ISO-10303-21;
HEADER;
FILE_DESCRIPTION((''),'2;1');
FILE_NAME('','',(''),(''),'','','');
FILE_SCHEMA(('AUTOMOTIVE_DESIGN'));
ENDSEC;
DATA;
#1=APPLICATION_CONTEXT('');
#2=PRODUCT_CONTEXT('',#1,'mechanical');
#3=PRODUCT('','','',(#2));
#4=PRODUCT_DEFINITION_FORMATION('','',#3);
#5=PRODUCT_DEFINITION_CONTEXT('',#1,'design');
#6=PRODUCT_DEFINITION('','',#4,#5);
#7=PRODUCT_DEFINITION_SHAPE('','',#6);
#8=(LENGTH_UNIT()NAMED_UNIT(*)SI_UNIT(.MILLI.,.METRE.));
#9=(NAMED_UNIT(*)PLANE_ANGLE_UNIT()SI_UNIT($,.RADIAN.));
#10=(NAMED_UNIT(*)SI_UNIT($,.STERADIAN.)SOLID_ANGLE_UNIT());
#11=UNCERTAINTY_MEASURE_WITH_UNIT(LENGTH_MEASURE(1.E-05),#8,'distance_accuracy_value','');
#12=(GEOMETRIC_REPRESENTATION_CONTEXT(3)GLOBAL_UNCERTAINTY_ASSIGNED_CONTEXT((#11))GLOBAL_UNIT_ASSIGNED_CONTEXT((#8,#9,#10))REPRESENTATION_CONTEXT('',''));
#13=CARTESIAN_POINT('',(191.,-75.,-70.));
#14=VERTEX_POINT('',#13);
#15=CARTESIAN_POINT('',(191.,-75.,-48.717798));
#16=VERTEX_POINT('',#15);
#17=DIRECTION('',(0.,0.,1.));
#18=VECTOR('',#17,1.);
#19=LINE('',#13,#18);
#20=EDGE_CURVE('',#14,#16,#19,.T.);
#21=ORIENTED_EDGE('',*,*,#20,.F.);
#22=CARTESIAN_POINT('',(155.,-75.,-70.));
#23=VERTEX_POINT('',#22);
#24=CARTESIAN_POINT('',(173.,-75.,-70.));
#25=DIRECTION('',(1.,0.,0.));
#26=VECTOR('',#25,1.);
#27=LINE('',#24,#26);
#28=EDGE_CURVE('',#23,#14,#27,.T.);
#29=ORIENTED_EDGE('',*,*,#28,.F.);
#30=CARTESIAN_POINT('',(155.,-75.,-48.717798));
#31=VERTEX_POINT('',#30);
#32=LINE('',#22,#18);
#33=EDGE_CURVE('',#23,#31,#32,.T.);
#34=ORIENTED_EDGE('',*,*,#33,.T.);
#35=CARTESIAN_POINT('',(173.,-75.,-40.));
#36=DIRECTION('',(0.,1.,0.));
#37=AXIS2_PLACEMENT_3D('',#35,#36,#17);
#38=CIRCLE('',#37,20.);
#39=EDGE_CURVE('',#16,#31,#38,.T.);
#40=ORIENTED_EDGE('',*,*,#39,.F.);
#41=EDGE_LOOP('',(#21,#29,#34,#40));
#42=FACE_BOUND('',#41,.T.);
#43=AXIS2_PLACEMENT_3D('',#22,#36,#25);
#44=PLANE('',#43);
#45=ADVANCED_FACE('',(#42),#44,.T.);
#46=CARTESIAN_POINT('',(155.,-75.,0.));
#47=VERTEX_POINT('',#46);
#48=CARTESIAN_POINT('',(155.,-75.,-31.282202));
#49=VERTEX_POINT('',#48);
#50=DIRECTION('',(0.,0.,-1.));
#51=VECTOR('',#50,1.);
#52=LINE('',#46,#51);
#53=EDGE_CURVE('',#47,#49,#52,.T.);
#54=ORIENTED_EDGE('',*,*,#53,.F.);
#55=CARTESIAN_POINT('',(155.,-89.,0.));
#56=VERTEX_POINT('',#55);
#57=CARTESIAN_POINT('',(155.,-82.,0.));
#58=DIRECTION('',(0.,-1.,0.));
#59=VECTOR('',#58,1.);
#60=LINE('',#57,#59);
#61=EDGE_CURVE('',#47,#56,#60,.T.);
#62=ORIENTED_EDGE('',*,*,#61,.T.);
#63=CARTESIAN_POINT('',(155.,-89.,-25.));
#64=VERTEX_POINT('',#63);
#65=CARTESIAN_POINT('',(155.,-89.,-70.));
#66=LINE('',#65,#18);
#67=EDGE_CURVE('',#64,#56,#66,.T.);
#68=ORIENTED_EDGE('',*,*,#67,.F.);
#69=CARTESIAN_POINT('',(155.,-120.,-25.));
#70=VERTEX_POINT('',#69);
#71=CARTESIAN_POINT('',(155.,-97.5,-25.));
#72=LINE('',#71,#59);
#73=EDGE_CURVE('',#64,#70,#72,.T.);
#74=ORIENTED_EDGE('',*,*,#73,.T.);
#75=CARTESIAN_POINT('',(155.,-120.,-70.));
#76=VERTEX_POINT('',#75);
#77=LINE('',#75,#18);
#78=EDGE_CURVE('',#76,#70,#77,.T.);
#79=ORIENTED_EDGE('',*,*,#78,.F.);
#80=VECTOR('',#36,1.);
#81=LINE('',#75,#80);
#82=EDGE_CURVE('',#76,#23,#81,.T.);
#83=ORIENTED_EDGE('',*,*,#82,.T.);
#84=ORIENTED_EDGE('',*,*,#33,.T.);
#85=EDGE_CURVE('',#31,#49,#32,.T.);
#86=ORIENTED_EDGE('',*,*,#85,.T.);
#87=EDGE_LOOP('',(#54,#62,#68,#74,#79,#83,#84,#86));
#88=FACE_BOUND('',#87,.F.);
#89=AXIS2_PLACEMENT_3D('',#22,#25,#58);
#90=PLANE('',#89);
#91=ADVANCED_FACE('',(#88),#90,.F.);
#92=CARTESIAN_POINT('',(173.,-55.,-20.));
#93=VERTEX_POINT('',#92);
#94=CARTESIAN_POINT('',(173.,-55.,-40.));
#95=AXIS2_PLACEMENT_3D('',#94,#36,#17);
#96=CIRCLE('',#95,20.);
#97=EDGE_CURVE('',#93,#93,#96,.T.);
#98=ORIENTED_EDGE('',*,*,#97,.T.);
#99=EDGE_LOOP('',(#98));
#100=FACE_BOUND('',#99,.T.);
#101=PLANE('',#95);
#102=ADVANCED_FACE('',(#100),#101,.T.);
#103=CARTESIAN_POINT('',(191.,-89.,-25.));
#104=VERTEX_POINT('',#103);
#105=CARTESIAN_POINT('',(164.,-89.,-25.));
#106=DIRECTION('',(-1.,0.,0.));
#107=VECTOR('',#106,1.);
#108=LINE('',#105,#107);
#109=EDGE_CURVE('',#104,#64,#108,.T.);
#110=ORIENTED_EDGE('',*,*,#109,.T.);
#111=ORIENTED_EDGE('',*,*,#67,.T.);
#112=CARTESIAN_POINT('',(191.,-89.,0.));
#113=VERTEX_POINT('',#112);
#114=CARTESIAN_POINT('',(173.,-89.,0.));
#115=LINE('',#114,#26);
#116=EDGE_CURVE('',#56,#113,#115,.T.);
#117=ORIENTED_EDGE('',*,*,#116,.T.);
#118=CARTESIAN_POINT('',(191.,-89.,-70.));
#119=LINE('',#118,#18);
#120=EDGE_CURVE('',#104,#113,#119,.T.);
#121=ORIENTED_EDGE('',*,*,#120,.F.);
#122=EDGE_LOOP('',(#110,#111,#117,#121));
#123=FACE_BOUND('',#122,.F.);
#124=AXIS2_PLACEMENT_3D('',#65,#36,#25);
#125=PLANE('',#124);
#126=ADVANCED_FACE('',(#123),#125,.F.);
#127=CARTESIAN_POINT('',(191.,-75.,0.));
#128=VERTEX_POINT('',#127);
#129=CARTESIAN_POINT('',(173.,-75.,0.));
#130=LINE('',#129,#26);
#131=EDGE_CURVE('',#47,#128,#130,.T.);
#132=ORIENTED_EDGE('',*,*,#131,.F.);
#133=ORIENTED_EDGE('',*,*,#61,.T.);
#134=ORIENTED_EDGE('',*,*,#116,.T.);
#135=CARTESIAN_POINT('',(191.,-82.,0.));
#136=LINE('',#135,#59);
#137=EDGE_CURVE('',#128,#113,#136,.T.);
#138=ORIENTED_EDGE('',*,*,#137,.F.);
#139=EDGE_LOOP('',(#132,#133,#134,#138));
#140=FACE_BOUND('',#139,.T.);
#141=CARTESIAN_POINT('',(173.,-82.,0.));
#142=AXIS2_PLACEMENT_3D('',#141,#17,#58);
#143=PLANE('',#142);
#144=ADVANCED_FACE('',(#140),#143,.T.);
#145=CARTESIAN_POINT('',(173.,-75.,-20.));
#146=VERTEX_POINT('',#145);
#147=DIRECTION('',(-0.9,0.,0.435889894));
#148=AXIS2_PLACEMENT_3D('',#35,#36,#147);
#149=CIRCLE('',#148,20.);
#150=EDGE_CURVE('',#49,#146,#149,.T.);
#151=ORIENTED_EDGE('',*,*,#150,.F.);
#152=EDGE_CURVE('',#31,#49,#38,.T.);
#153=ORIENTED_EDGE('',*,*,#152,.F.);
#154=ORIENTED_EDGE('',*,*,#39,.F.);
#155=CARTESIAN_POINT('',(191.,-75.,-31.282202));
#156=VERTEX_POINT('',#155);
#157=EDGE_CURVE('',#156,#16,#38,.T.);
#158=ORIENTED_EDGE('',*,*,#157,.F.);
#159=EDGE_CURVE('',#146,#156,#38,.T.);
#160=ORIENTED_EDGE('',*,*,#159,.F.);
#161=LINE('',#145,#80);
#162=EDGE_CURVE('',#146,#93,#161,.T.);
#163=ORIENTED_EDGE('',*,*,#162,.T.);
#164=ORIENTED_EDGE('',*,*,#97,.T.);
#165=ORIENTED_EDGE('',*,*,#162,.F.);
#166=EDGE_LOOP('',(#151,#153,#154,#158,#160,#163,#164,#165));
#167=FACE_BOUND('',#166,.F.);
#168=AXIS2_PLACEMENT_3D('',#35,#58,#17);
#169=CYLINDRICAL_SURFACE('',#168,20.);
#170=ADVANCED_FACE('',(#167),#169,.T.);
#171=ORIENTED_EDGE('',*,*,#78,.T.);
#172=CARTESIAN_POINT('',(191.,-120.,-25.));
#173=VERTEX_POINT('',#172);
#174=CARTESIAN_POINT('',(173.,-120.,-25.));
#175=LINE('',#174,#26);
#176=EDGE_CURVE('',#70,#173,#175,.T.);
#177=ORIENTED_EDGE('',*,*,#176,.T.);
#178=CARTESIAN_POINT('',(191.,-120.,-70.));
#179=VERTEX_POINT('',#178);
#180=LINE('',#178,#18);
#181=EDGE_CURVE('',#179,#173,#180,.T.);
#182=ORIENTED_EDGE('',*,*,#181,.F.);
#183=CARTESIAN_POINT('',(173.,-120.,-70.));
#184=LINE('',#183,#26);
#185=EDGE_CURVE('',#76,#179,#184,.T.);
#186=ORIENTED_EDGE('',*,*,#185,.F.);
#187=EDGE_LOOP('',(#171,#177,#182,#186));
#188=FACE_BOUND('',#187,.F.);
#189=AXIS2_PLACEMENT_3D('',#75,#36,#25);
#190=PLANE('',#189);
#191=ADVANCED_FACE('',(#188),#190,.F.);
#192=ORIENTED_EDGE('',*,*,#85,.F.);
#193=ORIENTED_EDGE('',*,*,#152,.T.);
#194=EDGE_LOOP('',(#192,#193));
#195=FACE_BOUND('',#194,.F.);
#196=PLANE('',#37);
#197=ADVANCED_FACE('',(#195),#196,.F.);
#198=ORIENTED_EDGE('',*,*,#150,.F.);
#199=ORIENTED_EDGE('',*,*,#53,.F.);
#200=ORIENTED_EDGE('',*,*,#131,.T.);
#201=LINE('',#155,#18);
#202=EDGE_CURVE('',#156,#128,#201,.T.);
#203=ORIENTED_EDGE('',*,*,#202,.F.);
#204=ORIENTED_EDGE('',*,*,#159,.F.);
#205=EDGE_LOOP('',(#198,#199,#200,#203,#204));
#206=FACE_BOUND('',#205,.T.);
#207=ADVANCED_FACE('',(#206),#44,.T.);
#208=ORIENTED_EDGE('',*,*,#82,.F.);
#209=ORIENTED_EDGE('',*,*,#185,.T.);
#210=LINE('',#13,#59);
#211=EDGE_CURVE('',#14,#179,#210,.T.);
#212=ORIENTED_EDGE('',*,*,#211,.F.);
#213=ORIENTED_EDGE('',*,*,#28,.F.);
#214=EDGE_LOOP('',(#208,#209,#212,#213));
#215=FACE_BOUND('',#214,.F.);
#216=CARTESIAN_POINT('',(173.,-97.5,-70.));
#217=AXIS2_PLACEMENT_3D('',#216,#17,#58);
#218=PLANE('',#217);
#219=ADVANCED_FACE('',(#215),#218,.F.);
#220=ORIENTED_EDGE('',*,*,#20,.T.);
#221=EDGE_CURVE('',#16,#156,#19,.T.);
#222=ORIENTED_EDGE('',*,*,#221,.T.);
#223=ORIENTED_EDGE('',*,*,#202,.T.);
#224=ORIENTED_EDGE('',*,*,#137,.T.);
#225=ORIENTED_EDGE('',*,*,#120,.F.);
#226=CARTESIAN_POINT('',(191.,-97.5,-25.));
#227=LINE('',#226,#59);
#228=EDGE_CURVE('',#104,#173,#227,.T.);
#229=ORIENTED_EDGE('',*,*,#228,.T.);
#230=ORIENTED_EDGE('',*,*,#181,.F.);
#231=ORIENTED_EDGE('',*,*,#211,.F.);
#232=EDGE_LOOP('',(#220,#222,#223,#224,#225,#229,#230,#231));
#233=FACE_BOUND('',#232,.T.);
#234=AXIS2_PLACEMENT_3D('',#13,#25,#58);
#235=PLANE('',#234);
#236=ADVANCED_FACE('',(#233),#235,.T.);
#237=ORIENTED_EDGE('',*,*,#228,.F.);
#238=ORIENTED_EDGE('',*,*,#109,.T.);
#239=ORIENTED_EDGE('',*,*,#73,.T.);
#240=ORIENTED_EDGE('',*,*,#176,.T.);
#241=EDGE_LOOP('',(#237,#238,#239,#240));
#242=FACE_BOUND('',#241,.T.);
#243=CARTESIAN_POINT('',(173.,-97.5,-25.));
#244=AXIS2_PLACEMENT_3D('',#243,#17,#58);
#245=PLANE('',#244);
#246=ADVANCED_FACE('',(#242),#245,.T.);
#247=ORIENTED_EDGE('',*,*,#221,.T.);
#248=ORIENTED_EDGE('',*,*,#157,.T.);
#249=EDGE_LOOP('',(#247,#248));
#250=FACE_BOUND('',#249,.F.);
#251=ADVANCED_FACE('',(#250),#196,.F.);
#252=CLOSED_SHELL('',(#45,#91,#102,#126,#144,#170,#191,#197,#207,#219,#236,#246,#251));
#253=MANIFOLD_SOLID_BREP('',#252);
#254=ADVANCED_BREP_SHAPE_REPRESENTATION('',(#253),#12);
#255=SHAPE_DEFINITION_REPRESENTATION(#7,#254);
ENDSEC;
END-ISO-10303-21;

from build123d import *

# Parameters (mm, degrees)
BOX048_W                  = 45
BOX048_H                  = 36
BOX048_DEPTH              = 45
BOX049_W                  = 14
BOX049_H                  = 36
BOX049_DEPTH              = 70
CYLINDER021_R             = 20
CYLINDER021_DEPTH         = 20
FUSION014_PLACEMENT_ANGLE = 90


with BuildPart() as cube043:
    # Box048 → Box048 (new body)
    with BuildSketch(Plane.XY):
        with Locations((22.5, 18)):
            Rectangle(BOX048_W, BOX048_H)
    extrude(amount=BOX048_DEPTH)


with BuildPart() as cube044:
    # Box049 → Box049 (new body)
    with BuildSketch(Plane.XY):
        with Locations((7, 18)):
            Rectangle(BOX049_W, BOX049_H)
    extrude(amount=BOX049_DEPTH)


with BuildPart() as block:
    # Cylinder021 → Cylinder021 (new body)
    with BuildSketch(Plane(origin=(0, 18, 30), x_dir=(0, 0, 1), z_dir=(-1, 0, 0))):
        Circle(CYLINDER021_R)
    extrude(amount=CYLINDER021_DEPTH)

    # Fusion014: union Cube043, Cube044
    add(cube043.part)
    add(cube044.part)


with BuildPart() as block_1:
    # Fusion014 placement: moved
    add(block.part.moved(Location((155, -75, -70))).rotate(Axis((155, -75, -70), (0, 0, -1)), FUSION014_PLACEMENT_ANGLE))


solid = block_1.part
